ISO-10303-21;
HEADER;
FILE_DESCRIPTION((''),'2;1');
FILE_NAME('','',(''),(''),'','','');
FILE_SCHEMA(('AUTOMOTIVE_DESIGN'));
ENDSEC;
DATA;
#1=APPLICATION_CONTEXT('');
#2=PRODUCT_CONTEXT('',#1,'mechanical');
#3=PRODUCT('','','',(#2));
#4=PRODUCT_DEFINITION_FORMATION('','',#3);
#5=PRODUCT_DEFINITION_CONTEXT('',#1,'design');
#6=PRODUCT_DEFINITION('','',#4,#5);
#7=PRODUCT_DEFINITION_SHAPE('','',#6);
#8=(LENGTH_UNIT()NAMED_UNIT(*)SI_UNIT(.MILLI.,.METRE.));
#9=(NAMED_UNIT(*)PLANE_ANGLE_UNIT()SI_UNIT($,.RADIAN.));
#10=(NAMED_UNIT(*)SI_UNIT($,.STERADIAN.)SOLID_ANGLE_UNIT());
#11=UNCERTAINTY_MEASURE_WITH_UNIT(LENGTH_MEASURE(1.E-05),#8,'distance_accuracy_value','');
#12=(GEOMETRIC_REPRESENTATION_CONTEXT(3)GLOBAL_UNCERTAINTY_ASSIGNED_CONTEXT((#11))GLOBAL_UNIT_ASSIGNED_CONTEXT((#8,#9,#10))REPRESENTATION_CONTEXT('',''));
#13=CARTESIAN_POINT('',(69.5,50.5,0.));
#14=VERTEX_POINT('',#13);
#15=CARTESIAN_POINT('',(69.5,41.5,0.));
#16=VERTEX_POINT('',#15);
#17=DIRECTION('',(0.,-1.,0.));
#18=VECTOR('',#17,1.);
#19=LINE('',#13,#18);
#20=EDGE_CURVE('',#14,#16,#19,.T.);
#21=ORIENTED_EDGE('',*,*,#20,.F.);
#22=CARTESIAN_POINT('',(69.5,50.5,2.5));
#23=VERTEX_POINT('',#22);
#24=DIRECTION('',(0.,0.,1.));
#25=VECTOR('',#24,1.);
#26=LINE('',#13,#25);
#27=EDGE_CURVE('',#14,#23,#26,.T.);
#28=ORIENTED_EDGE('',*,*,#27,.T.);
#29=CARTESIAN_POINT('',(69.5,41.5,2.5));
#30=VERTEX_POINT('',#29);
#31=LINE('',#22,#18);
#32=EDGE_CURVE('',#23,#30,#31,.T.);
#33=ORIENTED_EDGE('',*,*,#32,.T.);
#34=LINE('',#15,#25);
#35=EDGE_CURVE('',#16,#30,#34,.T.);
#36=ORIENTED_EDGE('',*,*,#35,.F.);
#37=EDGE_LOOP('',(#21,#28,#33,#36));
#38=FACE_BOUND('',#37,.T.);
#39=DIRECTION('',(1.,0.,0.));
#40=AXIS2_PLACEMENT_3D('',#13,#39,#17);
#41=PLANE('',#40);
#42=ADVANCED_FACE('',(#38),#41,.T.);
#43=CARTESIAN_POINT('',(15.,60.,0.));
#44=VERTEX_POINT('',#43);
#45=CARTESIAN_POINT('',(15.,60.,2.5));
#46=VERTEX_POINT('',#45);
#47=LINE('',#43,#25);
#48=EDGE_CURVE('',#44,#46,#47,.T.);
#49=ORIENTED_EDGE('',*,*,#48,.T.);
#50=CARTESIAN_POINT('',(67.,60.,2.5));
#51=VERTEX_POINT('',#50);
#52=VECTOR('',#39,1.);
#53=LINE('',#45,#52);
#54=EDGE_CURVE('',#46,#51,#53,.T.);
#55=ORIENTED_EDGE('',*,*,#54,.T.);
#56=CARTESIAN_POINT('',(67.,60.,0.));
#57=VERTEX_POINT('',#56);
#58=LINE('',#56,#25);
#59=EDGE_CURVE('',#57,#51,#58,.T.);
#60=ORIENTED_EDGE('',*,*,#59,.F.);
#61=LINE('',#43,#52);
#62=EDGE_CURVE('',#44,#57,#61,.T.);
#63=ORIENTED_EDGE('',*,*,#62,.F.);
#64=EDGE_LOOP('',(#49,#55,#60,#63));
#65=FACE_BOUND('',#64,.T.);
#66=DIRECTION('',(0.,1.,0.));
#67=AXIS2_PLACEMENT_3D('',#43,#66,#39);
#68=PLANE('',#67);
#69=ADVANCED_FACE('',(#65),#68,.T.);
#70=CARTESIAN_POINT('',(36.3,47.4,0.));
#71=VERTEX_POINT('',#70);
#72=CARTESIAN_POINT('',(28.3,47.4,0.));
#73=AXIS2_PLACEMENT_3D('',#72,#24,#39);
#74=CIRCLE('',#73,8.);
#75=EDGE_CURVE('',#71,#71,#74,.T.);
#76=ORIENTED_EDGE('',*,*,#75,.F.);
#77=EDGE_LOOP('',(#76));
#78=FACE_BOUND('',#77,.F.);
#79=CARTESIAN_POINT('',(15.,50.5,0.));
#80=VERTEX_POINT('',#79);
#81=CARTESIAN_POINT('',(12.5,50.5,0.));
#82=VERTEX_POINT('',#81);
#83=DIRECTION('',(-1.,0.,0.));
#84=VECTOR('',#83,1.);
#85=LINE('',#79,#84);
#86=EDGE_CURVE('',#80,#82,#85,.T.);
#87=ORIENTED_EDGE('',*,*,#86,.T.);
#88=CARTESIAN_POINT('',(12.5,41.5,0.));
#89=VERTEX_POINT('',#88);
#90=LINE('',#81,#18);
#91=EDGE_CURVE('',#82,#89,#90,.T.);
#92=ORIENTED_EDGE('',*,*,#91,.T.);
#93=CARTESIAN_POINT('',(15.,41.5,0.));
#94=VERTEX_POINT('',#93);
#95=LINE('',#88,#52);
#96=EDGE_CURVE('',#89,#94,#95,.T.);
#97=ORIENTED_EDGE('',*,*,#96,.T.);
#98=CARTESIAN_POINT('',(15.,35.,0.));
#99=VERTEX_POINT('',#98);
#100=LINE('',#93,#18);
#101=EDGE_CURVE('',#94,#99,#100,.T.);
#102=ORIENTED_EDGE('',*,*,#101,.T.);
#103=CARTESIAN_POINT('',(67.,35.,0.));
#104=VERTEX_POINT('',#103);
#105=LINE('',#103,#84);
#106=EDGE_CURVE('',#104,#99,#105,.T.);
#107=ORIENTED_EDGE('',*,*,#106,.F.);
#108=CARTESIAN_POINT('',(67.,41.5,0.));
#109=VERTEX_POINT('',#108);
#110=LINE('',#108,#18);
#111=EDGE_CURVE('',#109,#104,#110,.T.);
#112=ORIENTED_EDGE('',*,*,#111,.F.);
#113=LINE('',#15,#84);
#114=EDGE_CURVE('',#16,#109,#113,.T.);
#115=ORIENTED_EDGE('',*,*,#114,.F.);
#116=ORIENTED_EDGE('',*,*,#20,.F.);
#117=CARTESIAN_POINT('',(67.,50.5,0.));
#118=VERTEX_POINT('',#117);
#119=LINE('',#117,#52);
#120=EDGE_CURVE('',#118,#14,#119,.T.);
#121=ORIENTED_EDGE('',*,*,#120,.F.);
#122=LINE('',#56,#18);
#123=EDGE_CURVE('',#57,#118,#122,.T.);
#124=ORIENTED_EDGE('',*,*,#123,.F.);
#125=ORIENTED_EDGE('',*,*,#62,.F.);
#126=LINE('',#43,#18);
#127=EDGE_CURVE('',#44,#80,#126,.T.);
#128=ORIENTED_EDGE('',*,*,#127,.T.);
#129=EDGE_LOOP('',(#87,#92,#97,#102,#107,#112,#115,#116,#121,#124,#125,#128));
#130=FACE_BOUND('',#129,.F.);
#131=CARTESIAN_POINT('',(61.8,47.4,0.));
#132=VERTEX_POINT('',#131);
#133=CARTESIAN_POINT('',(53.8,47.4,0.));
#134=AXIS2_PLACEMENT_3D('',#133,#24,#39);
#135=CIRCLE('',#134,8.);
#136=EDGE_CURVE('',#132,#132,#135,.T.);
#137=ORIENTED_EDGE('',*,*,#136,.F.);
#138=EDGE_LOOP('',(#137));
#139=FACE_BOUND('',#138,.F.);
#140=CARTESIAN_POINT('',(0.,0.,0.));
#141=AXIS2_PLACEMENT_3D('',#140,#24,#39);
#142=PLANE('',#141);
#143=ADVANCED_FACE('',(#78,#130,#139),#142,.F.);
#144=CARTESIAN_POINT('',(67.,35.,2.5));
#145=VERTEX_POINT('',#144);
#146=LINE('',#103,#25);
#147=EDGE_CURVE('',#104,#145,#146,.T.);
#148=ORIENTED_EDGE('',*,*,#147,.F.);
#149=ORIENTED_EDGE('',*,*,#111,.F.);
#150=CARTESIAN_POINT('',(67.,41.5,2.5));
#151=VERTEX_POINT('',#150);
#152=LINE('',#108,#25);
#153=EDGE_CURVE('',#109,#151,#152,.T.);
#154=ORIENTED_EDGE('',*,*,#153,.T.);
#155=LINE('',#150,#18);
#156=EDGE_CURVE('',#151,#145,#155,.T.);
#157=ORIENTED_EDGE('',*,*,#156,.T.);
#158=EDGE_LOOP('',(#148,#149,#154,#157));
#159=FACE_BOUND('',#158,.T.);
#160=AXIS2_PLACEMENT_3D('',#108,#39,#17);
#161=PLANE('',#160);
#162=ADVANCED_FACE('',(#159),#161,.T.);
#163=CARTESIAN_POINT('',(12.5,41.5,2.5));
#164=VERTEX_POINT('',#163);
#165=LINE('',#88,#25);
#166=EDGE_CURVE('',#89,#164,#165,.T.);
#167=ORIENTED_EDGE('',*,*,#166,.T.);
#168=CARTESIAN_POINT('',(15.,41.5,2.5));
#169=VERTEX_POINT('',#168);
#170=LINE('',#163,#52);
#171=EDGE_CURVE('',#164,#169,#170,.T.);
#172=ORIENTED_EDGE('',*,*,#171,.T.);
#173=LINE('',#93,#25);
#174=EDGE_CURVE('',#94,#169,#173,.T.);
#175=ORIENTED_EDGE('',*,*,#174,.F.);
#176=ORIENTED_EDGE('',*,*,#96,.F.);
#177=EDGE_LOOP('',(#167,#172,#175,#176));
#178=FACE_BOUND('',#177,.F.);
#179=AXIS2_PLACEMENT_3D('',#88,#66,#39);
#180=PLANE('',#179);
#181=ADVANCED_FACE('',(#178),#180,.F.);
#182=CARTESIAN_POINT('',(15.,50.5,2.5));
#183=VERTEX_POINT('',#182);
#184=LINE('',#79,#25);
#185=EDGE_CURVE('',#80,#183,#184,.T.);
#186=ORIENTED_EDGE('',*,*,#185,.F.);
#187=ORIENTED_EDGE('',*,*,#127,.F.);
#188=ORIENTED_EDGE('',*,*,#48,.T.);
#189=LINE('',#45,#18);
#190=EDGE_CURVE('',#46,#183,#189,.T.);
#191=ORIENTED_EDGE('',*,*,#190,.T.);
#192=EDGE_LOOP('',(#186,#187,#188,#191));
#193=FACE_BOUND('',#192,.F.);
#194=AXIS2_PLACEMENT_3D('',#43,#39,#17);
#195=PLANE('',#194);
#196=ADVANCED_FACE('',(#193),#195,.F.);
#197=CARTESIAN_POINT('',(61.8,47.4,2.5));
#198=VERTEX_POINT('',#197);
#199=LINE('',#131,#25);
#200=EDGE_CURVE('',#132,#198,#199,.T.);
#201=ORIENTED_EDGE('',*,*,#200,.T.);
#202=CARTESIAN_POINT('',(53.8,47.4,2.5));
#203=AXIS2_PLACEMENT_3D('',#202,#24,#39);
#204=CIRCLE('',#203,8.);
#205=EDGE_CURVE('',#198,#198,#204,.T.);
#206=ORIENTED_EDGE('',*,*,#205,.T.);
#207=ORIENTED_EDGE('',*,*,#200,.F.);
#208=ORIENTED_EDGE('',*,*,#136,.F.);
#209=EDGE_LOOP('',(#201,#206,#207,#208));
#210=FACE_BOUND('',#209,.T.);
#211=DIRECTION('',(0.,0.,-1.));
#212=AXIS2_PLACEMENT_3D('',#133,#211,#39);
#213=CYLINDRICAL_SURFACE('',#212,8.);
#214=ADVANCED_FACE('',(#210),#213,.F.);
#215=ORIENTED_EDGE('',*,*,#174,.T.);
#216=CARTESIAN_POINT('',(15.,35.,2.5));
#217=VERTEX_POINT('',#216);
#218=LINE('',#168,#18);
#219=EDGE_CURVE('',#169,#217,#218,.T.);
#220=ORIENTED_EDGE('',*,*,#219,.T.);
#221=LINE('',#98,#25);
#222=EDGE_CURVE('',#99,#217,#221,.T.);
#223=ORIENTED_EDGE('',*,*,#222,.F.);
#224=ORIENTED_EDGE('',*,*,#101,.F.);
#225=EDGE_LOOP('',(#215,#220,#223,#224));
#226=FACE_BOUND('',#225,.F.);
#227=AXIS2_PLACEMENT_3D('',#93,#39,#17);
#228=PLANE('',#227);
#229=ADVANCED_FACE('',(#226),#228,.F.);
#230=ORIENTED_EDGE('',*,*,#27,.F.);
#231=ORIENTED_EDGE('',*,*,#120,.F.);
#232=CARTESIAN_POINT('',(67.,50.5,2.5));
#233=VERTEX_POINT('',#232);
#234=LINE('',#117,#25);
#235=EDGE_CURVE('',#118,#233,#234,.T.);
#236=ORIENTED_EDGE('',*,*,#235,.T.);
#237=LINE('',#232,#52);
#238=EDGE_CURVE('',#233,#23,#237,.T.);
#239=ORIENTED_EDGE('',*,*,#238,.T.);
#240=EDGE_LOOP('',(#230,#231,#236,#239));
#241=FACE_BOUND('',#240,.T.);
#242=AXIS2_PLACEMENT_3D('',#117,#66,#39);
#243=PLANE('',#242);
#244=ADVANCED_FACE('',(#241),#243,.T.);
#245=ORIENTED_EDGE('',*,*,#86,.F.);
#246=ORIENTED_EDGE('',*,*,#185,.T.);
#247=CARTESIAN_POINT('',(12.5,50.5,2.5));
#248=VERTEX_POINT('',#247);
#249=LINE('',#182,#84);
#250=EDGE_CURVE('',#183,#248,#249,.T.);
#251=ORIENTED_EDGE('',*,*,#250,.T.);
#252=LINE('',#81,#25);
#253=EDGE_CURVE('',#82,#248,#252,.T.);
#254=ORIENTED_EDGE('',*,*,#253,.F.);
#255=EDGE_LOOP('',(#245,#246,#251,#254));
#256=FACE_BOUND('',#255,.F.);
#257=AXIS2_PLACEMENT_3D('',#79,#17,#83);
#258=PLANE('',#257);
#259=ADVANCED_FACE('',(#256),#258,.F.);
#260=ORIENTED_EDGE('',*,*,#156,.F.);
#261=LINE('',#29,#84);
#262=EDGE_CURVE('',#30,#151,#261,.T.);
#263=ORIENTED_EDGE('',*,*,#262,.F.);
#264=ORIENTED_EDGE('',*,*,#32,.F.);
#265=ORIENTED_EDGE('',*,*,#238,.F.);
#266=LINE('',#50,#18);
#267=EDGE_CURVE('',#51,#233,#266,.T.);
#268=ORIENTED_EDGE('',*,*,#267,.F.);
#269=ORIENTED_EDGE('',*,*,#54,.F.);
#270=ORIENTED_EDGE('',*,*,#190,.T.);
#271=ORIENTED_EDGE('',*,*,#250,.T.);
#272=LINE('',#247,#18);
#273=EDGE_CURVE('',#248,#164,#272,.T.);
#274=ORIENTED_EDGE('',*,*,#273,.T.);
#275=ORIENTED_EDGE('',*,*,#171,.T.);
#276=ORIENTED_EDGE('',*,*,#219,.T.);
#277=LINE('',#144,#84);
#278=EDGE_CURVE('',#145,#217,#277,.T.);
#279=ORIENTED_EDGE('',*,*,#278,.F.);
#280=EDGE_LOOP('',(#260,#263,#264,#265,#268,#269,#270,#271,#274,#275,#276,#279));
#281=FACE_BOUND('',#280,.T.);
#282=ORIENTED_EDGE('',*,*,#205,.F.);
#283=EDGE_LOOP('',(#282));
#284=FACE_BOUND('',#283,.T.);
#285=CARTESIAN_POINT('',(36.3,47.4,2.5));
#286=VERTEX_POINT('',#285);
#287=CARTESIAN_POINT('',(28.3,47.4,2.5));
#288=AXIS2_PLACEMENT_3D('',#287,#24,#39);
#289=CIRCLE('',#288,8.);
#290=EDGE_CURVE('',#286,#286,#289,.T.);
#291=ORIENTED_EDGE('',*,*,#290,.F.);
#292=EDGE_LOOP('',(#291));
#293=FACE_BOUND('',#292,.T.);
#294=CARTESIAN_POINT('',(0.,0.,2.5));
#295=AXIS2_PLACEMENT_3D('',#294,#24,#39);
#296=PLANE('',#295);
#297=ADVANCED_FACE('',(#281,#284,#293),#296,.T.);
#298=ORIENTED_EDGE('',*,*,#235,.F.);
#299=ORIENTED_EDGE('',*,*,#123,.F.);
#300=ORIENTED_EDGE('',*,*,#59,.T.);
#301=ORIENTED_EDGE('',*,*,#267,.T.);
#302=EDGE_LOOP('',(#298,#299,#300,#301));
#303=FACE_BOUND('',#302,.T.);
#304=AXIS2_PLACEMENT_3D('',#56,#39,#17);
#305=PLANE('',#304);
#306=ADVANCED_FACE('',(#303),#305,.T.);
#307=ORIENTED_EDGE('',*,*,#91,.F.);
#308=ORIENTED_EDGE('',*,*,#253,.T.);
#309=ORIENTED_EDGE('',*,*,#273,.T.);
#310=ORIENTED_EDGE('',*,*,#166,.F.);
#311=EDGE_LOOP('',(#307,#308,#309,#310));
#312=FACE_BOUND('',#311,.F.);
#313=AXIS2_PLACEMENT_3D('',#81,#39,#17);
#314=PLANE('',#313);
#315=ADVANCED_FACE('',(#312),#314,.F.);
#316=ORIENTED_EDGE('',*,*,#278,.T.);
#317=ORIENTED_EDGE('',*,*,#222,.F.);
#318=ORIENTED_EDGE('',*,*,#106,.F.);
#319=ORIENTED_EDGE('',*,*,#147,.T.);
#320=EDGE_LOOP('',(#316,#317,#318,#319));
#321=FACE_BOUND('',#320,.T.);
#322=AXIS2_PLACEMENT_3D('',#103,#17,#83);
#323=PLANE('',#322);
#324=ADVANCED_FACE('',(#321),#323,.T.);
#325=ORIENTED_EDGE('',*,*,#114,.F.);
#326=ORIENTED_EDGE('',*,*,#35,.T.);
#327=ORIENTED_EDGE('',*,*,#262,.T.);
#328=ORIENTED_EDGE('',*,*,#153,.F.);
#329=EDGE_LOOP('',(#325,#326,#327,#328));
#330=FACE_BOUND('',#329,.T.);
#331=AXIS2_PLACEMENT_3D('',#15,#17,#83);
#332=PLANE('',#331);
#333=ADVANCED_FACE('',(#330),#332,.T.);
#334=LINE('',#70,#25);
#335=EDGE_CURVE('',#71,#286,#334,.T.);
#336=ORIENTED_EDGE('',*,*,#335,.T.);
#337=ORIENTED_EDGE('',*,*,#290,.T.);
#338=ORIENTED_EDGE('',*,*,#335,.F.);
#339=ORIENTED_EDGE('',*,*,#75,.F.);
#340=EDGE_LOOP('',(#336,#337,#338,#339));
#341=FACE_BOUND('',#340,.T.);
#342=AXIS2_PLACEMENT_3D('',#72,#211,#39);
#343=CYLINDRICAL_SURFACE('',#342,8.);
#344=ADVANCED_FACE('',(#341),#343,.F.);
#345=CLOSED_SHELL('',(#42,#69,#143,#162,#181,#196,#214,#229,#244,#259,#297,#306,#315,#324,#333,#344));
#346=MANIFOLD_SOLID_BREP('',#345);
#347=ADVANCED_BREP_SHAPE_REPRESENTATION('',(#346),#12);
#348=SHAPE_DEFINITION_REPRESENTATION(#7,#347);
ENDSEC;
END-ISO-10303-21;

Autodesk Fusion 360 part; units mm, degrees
sketch "Sketch1" plane through (0, 0, 0) normal (0, 0, 1) x (1, 0, 0)
  line L0 (15, 60) -> (67, 60)
  line L1 (67, 60) -> (67, 50.5)
  line L2 (15, 60) -> (15, 50.5)
  line L3 (67, 50.5) -> (69.5, 50.5)
  line L4 (15, 50.5) -> (12.5, 50.5)
  line L5 (69.5, 50.5) -> (69.5, 41.5)
  line L6 (12.5, 50.5) -> (12.5, 41.5)
  line L7 (69.5, 41.5) -> (67, 41.5)
  line L8 (12.5, 41.5) -> (15, 41.5)
  line L9 (67, 41.5) -> (67, 35)
  line L10 (15, 41.5) -> (15, 35)
  line L11 (67, 35) -> (15, 35)
  line L12 (15, 35) -> (15, 29) construction
  circle A0 centre (28.3, 47.4) radius 8
  line L13 (28.3, 47.4) -> (53.8, 47.4) construction
  circle A1 centre (53.8, 47.4) radius 8
  dimension "d1" = 52
  dimension "d2" = 9.5
  dimension "d3" = 9.5
  dimension "d4" = 2.5
  dimension "d5" = 2.5
  dimension "d6" = 9
  dimension "d7" = 9
  dimension "d8" = 2.5
  dimension "d9" = 2.5
  dimension "d10" = 6.5
  dimension "d11" = 6.5
  dimension "d12" = 16
  dimension "d13" = 12.4
  dimension "d14" = 15.8
  dimension "d15" = 25.5
  dimension "d16" = 16
extrude "Extrude1" add sketch "Sketch1" along normal blind 2.5
